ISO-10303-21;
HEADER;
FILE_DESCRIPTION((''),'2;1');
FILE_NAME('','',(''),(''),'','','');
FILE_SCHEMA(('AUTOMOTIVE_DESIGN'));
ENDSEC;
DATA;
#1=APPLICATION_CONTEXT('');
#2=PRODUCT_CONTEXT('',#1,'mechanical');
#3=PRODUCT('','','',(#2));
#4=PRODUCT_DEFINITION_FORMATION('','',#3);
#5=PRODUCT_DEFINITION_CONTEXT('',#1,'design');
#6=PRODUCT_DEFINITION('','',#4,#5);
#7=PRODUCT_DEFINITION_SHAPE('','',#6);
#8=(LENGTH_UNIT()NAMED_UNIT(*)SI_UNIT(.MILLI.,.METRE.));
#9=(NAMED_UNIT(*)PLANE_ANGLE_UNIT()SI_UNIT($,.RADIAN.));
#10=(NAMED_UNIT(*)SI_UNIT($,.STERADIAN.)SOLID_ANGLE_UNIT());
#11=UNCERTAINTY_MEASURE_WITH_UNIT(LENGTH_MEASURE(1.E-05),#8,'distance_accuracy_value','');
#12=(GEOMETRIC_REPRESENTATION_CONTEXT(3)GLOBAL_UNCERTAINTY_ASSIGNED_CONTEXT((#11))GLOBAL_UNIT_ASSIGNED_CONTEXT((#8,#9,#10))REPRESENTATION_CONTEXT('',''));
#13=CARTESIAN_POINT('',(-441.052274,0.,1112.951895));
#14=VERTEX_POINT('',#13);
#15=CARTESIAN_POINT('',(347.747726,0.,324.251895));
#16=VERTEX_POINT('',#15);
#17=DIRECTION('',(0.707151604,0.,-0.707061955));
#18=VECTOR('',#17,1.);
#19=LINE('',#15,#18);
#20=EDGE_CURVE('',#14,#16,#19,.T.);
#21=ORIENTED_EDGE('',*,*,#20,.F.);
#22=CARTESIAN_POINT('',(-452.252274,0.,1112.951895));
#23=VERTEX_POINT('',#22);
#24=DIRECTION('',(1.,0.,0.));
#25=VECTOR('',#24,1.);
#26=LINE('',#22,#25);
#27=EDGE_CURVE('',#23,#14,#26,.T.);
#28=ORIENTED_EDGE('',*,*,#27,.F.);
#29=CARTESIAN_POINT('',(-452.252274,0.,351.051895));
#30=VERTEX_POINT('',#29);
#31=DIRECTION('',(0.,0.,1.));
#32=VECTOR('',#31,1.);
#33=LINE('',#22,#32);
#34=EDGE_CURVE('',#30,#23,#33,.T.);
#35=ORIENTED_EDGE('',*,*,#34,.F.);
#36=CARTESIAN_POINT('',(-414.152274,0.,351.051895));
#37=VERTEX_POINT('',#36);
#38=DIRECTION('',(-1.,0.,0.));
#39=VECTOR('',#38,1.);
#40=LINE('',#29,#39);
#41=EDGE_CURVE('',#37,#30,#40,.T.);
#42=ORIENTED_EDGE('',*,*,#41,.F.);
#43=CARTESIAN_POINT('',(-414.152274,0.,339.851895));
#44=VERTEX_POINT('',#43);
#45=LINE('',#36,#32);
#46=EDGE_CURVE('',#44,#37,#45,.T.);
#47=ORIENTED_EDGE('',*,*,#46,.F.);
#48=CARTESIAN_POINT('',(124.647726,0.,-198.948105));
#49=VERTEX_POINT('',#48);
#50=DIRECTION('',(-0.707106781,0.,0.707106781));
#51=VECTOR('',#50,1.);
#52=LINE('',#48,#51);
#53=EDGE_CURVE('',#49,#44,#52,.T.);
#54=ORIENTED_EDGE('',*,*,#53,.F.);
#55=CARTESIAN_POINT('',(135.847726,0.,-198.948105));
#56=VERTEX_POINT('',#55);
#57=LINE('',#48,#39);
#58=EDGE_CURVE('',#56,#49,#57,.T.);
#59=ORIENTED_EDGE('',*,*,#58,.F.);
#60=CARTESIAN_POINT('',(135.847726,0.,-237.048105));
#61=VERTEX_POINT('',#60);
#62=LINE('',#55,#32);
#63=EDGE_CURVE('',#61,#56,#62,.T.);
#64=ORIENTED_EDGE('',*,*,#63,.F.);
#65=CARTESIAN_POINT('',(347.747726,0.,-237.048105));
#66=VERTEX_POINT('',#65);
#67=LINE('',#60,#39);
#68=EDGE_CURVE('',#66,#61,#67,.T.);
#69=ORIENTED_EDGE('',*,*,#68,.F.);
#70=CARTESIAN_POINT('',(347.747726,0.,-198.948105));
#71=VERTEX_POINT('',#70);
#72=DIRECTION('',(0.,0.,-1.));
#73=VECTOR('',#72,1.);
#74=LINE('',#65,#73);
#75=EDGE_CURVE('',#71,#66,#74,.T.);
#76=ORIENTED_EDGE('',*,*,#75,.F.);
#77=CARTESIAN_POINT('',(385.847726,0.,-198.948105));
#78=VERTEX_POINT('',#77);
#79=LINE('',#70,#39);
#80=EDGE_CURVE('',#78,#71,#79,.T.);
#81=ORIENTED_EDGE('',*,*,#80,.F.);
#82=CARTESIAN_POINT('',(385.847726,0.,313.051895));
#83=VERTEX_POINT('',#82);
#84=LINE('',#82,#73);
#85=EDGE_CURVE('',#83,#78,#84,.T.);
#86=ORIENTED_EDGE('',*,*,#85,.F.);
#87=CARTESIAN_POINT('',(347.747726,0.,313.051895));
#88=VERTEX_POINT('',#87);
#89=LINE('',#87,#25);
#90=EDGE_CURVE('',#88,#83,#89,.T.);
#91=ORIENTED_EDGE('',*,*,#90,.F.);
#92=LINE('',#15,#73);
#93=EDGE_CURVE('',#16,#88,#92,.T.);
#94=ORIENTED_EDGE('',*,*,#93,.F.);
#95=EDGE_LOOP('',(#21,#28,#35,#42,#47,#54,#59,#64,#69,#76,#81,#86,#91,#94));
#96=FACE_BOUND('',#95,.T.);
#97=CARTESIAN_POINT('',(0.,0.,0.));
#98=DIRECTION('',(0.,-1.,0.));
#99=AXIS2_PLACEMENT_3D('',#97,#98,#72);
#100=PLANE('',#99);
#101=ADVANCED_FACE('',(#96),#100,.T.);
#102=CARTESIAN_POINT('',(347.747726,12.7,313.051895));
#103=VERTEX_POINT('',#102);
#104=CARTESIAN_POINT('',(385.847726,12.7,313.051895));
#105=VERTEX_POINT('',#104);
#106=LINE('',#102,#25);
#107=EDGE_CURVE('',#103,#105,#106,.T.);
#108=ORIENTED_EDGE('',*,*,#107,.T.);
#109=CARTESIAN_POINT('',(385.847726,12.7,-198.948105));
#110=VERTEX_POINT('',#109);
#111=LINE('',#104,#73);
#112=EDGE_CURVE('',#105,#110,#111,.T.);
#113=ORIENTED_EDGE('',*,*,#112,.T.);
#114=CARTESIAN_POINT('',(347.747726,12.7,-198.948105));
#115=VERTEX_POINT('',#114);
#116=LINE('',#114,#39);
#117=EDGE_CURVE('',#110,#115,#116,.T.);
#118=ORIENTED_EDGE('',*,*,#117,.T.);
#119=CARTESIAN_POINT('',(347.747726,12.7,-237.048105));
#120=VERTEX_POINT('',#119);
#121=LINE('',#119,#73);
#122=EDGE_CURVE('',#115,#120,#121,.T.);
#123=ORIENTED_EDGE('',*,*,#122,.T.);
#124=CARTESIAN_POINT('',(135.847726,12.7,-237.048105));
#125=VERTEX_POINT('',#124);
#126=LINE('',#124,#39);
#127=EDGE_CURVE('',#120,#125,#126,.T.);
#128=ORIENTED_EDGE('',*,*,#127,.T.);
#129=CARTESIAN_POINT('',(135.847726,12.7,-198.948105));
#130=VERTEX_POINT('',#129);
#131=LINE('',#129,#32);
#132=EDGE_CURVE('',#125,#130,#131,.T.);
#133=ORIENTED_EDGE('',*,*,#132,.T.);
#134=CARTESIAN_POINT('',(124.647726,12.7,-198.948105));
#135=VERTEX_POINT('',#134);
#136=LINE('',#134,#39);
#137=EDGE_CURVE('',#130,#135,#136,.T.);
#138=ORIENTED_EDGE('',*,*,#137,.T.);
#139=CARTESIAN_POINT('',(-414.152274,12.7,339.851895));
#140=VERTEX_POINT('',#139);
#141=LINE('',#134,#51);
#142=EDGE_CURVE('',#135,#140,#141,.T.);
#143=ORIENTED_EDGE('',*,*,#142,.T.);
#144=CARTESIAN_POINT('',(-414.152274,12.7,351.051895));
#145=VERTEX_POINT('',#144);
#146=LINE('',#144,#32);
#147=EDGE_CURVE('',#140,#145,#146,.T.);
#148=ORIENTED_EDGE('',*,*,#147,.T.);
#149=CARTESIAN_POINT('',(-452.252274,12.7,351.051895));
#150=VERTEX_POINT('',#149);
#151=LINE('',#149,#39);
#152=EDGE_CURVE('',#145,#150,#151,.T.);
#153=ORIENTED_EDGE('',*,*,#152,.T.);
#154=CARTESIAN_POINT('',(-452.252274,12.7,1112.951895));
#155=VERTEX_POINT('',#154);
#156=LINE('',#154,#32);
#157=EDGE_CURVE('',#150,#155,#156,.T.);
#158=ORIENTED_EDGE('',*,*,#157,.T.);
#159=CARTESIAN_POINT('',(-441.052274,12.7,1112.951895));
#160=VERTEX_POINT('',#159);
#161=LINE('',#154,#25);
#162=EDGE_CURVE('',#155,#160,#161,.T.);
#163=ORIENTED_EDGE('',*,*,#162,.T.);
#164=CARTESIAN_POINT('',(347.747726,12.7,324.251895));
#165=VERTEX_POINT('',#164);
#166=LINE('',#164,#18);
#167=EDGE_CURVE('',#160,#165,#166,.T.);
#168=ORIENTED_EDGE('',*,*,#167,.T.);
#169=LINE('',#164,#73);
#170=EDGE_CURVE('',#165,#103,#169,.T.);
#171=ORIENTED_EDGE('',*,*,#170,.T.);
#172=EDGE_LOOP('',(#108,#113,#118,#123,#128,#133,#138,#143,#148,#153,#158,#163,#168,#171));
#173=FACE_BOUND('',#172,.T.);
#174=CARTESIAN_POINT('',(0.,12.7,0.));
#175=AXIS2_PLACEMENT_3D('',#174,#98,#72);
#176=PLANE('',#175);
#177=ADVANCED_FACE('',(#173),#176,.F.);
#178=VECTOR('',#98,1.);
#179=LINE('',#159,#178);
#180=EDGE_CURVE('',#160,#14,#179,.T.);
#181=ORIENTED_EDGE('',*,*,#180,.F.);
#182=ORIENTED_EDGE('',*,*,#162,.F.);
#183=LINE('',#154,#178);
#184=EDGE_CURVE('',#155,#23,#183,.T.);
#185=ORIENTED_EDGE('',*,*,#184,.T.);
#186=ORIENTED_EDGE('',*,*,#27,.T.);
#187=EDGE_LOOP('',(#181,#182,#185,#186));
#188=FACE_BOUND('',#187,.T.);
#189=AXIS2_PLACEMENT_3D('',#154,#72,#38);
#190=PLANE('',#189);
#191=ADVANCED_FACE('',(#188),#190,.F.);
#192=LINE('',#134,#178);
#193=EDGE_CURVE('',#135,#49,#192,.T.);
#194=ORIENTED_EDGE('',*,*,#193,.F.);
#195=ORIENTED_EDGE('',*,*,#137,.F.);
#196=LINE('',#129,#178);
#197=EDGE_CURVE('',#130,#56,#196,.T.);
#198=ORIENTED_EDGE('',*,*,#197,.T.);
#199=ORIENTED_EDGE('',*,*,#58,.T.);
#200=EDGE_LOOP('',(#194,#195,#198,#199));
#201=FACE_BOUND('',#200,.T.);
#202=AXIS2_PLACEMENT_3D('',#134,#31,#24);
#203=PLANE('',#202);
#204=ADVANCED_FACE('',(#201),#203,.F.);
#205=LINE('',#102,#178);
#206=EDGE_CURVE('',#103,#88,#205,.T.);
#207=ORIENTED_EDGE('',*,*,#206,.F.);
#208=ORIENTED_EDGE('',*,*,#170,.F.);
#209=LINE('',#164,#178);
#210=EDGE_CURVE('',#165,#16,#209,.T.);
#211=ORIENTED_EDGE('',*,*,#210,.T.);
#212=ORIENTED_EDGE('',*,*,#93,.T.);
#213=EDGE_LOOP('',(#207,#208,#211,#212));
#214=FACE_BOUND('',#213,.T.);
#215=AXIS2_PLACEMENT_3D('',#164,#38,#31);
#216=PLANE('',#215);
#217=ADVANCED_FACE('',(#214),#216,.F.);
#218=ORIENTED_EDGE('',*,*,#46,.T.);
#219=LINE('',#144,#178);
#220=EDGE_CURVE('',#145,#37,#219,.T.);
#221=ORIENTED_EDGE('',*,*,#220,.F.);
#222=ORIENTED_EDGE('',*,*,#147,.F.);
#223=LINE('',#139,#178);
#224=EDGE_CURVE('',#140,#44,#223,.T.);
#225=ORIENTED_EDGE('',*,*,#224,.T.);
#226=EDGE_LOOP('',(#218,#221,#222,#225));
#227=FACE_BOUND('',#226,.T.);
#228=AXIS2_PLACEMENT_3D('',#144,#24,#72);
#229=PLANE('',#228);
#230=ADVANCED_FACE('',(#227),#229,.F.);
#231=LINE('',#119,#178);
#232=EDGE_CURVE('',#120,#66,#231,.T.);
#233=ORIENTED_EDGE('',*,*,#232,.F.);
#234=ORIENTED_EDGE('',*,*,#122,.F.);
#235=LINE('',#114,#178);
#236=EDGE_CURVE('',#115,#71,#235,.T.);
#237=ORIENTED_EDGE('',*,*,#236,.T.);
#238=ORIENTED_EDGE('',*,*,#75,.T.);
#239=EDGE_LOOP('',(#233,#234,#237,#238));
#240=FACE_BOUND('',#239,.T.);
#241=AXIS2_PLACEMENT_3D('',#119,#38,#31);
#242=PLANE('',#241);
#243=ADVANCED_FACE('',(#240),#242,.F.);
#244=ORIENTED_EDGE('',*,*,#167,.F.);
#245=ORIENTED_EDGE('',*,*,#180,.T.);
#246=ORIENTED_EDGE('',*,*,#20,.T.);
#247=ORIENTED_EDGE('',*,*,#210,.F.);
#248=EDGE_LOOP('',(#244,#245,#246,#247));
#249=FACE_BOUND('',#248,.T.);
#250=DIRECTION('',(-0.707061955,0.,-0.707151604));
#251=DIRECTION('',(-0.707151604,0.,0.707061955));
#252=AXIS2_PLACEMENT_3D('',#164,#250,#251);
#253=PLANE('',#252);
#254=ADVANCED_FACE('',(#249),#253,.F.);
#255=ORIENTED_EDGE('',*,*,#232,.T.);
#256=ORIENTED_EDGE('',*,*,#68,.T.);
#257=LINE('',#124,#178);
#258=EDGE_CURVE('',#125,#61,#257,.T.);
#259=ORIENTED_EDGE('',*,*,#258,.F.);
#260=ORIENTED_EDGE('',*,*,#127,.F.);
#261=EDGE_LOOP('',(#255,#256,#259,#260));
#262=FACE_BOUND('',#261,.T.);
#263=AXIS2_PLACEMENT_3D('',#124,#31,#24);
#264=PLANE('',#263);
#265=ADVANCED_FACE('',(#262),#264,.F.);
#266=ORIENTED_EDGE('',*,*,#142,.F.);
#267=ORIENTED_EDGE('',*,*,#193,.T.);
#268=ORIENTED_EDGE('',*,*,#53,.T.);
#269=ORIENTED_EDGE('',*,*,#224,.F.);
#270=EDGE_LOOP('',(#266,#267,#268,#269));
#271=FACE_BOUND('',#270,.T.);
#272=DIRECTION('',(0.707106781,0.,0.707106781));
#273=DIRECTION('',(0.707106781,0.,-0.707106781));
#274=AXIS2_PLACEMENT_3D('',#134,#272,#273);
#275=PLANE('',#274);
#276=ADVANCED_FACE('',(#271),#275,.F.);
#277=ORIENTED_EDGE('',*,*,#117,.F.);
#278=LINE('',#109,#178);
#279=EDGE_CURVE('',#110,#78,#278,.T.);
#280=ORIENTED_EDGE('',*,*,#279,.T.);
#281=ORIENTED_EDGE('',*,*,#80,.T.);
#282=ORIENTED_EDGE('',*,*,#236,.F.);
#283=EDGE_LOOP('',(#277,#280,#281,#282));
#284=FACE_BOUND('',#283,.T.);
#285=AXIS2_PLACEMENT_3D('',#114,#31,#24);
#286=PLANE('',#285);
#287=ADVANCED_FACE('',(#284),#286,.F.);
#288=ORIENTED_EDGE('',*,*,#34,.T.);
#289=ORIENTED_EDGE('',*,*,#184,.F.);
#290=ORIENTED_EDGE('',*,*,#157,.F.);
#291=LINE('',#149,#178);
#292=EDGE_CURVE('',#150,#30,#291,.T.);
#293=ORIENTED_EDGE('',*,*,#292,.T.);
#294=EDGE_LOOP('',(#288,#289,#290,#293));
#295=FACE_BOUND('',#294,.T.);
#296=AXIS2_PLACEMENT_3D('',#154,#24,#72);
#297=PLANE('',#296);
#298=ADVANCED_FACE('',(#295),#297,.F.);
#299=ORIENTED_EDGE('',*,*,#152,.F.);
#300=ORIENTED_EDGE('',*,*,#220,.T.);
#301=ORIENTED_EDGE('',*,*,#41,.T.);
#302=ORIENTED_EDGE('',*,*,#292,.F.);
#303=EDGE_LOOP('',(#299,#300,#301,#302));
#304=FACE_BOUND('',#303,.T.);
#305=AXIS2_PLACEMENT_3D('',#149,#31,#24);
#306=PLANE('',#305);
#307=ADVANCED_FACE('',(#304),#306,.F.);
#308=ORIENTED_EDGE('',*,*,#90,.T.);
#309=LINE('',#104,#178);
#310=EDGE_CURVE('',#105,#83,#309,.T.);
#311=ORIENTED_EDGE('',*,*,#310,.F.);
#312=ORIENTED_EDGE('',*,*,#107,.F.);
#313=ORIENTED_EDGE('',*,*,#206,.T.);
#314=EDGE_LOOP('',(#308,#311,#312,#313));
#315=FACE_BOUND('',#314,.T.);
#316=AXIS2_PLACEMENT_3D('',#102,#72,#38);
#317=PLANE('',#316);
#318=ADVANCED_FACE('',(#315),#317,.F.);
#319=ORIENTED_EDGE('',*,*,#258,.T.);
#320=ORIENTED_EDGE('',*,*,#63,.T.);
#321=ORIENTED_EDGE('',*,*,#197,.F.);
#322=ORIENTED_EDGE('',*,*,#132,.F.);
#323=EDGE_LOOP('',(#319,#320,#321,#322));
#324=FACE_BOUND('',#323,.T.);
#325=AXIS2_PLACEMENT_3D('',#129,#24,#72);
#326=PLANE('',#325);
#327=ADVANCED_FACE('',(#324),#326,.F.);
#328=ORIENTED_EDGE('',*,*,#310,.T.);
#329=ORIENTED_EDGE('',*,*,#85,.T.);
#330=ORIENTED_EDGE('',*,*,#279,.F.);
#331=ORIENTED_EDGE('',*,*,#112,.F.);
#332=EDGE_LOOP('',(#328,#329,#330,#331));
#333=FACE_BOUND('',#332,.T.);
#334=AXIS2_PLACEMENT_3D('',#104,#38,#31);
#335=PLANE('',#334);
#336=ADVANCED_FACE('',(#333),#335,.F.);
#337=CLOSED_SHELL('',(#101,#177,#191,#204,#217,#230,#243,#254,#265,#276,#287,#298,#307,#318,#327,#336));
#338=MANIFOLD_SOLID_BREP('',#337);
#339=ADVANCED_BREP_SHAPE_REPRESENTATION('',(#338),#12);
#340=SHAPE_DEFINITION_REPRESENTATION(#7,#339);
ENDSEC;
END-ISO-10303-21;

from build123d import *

# Parameters (mm, degrees)
BOSS_EXTRUDE1_DEPTH = 12.7


with BuildPart() as part:
    # Sketch1 → Boss-Extrude1 (new body)
    with BuildSketch(Plane(origin=(0, 0, 0), x_dir=(1, 0, 0), z_dir=(0, 1, 0))):
        Polygon((124.6477263, 198.948104803), (-414.1522737, -339.851895197), (-414.1522737, -351.051895197), (-452.2522737, -351.051895197), (-452.2522737, -1112.951895197), (-441.0522737, -1112.951895197), (347.7477263, -324.251895197), (347.7477263, -313.051895197), (385.8477263, -313.051895197), (385.8477263, 198.948104803), (347.7477263, 198.948104803), (347.7477263, 237.048104803), (135.8477263, 237.048104803), (135.8477263, 198.948104803), align=None)
    extrude(amount=BOSS_EXTRUDE1_DEPTH)


solid = part.part
